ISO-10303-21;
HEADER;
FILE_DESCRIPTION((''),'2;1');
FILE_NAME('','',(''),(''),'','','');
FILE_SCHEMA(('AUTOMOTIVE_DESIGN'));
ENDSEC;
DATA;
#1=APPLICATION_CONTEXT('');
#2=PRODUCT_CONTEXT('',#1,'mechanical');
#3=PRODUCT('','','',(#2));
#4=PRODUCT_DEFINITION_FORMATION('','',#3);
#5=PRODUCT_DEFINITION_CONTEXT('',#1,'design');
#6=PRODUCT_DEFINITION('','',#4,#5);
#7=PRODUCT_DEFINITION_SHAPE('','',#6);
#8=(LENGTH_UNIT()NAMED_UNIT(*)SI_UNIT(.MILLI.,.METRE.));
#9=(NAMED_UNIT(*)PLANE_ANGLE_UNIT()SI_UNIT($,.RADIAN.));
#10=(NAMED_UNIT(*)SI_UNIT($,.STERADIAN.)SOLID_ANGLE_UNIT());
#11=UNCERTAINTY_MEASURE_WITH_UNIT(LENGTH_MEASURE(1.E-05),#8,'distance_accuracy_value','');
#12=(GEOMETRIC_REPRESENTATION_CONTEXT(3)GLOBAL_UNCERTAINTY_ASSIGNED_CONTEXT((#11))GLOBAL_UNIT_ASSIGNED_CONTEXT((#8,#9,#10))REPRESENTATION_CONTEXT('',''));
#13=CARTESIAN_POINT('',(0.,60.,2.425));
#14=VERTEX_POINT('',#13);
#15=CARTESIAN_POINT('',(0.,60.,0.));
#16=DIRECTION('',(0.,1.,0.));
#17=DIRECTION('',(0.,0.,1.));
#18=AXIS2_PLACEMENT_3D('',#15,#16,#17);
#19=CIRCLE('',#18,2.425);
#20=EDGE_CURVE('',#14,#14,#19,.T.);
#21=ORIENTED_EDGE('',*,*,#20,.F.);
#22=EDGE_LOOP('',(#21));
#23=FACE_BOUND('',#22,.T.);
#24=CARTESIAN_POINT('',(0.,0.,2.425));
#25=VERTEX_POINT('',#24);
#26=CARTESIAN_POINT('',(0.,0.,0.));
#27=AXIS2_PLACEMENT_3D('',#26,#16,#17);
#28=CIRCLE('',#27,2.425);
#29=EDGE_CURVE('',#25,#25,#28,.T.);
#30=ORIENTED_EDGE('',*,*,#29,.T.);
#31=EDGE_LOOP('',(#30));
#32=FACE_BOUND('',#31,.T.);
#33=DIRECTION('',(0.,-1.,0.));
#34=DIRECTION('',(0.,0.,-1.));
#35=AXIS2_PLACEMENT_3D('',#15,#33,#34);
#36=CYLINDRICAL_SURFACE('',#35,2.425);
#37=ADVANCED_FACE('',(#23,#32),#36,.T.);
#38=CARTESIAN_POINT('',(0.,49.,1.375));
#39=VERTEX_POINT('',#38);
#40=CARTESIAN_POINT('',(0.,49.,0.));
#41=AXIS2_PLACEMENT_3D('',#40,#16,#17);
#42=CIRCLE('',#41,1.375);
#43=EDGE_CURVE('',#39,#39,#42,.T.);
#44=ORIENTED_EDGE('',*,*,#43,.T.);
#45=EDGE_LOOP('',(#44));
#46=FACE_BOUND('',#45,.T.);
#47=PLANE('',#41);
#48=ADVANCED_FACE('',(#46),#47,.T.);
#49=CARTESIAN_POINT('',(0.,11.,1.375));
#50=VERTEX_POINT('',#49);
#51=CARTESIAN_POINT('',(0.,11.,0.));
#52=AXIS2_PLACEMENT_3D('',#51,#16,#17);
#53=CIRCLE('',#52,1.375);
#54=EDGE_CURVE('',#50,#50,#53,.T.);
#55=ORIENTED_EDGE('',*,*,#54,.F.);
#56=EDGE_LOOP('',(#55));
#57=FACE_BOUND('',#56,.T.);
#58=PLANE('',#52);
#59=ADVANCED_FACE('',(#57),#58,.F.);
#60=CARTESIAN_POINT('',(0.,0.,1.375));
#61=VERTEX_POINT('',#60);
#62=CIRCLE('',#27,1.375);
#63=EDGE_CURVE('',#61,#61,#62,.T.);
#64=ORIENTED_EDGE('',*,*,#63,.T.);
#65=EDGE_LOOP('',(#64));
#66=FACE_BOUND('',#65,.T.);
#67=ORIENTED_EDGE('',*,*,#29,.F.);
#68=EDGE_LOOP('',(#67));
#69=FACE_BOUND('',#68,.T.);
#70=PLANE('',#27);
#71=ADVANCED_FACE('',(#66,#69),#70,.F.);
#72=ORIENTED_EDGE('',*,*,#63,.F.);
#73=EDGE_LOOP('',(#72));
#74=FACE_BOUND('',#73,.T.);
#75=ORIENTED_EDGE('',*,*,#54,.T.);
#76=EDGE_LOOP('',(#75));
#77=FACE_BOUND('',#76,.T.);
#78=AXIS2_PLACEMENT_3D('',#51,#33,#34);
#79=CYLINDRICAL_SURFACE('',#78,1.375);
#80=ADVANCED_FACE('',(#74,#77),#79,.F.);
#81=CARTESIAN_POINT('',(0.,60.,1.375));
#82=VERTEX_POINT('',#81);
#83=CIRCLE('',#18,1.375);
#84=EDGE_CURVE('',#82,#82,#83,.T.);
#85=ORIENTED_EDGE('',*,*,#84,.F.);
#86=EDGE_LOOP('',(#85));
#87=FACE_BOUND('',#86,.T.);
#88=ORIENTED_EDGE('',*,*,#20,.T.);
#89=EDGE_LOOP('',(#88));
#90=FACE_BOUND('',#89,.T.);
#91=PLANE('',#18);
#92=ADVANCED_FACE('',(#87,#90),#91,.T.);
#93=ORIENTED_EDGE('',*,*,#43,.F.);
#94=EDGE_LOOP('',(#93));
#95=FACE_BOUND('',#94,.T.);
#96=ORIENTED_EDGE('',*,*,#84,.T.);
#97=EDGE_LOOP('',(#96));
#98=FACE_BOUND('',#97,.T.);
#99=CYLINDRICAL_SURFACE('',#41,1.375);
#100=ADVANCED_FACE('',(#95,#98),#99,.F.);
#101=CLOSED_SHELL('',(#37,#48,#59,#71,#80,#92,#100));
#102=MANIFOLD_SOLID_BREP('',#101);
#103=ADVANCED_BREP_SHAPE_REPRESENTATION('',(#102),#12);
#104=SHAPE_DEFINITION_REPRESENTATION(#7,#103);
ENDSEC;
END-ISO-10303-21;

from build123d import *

# Parameters (mm, degrees)
SKETCH1_R           = 2.425
BOSS_EXTRUDE1_DEPTH = 60
SKETCH2_R           = 1.375
CUT_EXTRUDE1_DEPTH  = 11
CUT_EXTRUDE2_START  = -49
SKETCH2_2_R         = 1.375
CUT_EXTRUDE2_DEPTH  = 11


with BuildPart() as part:
    # Sketch1 → Boss-Extrude1 (new body)
    with BuildSketch(Plane(origin=(0, 0, 0), x_dir=(1, 0, 0), z_dir=(0, 1, 0))):
        with Locations(Location((0, 0, 0), (0, 0, 270))):
            Circle(SKETCH1_R)
    extrude(amount=BOSS_EXTRUDE1_DEPTH)

    # Sketch2 → Cut-Extrude1 (cut)
    with BuildSketch(Plane(origin=(0, 60, 0), x_dir=(1, 0, 0), z_dir=(0, 1, 0))):
        with Locations(Location((0, 0, 0), (0, 0, 270))):
            Circle(SKETCH2_R)
    extrude(amount=-CUT_EXTRUDE1_DEPTH, mode=Mode.SUBTRACT)

    # Sketch2<2> → Cut-Extrude2 (cut)
    with BuildSketch(Plane(origin=(0, 60, 0), x_dir=(1, 0, 0), z_dir=(0, 1, 0)).offset(CUT_EXTRUDE2_START)):
        with Locations(Location((0, 0, 0), (0, 0, 270))):
            Circle(SKETCH2_2_R)
    extrude(amount=-CUT_EXTRUDE2_DEPTH, mode=Mode.SUBTRACT)


solid = part.part
